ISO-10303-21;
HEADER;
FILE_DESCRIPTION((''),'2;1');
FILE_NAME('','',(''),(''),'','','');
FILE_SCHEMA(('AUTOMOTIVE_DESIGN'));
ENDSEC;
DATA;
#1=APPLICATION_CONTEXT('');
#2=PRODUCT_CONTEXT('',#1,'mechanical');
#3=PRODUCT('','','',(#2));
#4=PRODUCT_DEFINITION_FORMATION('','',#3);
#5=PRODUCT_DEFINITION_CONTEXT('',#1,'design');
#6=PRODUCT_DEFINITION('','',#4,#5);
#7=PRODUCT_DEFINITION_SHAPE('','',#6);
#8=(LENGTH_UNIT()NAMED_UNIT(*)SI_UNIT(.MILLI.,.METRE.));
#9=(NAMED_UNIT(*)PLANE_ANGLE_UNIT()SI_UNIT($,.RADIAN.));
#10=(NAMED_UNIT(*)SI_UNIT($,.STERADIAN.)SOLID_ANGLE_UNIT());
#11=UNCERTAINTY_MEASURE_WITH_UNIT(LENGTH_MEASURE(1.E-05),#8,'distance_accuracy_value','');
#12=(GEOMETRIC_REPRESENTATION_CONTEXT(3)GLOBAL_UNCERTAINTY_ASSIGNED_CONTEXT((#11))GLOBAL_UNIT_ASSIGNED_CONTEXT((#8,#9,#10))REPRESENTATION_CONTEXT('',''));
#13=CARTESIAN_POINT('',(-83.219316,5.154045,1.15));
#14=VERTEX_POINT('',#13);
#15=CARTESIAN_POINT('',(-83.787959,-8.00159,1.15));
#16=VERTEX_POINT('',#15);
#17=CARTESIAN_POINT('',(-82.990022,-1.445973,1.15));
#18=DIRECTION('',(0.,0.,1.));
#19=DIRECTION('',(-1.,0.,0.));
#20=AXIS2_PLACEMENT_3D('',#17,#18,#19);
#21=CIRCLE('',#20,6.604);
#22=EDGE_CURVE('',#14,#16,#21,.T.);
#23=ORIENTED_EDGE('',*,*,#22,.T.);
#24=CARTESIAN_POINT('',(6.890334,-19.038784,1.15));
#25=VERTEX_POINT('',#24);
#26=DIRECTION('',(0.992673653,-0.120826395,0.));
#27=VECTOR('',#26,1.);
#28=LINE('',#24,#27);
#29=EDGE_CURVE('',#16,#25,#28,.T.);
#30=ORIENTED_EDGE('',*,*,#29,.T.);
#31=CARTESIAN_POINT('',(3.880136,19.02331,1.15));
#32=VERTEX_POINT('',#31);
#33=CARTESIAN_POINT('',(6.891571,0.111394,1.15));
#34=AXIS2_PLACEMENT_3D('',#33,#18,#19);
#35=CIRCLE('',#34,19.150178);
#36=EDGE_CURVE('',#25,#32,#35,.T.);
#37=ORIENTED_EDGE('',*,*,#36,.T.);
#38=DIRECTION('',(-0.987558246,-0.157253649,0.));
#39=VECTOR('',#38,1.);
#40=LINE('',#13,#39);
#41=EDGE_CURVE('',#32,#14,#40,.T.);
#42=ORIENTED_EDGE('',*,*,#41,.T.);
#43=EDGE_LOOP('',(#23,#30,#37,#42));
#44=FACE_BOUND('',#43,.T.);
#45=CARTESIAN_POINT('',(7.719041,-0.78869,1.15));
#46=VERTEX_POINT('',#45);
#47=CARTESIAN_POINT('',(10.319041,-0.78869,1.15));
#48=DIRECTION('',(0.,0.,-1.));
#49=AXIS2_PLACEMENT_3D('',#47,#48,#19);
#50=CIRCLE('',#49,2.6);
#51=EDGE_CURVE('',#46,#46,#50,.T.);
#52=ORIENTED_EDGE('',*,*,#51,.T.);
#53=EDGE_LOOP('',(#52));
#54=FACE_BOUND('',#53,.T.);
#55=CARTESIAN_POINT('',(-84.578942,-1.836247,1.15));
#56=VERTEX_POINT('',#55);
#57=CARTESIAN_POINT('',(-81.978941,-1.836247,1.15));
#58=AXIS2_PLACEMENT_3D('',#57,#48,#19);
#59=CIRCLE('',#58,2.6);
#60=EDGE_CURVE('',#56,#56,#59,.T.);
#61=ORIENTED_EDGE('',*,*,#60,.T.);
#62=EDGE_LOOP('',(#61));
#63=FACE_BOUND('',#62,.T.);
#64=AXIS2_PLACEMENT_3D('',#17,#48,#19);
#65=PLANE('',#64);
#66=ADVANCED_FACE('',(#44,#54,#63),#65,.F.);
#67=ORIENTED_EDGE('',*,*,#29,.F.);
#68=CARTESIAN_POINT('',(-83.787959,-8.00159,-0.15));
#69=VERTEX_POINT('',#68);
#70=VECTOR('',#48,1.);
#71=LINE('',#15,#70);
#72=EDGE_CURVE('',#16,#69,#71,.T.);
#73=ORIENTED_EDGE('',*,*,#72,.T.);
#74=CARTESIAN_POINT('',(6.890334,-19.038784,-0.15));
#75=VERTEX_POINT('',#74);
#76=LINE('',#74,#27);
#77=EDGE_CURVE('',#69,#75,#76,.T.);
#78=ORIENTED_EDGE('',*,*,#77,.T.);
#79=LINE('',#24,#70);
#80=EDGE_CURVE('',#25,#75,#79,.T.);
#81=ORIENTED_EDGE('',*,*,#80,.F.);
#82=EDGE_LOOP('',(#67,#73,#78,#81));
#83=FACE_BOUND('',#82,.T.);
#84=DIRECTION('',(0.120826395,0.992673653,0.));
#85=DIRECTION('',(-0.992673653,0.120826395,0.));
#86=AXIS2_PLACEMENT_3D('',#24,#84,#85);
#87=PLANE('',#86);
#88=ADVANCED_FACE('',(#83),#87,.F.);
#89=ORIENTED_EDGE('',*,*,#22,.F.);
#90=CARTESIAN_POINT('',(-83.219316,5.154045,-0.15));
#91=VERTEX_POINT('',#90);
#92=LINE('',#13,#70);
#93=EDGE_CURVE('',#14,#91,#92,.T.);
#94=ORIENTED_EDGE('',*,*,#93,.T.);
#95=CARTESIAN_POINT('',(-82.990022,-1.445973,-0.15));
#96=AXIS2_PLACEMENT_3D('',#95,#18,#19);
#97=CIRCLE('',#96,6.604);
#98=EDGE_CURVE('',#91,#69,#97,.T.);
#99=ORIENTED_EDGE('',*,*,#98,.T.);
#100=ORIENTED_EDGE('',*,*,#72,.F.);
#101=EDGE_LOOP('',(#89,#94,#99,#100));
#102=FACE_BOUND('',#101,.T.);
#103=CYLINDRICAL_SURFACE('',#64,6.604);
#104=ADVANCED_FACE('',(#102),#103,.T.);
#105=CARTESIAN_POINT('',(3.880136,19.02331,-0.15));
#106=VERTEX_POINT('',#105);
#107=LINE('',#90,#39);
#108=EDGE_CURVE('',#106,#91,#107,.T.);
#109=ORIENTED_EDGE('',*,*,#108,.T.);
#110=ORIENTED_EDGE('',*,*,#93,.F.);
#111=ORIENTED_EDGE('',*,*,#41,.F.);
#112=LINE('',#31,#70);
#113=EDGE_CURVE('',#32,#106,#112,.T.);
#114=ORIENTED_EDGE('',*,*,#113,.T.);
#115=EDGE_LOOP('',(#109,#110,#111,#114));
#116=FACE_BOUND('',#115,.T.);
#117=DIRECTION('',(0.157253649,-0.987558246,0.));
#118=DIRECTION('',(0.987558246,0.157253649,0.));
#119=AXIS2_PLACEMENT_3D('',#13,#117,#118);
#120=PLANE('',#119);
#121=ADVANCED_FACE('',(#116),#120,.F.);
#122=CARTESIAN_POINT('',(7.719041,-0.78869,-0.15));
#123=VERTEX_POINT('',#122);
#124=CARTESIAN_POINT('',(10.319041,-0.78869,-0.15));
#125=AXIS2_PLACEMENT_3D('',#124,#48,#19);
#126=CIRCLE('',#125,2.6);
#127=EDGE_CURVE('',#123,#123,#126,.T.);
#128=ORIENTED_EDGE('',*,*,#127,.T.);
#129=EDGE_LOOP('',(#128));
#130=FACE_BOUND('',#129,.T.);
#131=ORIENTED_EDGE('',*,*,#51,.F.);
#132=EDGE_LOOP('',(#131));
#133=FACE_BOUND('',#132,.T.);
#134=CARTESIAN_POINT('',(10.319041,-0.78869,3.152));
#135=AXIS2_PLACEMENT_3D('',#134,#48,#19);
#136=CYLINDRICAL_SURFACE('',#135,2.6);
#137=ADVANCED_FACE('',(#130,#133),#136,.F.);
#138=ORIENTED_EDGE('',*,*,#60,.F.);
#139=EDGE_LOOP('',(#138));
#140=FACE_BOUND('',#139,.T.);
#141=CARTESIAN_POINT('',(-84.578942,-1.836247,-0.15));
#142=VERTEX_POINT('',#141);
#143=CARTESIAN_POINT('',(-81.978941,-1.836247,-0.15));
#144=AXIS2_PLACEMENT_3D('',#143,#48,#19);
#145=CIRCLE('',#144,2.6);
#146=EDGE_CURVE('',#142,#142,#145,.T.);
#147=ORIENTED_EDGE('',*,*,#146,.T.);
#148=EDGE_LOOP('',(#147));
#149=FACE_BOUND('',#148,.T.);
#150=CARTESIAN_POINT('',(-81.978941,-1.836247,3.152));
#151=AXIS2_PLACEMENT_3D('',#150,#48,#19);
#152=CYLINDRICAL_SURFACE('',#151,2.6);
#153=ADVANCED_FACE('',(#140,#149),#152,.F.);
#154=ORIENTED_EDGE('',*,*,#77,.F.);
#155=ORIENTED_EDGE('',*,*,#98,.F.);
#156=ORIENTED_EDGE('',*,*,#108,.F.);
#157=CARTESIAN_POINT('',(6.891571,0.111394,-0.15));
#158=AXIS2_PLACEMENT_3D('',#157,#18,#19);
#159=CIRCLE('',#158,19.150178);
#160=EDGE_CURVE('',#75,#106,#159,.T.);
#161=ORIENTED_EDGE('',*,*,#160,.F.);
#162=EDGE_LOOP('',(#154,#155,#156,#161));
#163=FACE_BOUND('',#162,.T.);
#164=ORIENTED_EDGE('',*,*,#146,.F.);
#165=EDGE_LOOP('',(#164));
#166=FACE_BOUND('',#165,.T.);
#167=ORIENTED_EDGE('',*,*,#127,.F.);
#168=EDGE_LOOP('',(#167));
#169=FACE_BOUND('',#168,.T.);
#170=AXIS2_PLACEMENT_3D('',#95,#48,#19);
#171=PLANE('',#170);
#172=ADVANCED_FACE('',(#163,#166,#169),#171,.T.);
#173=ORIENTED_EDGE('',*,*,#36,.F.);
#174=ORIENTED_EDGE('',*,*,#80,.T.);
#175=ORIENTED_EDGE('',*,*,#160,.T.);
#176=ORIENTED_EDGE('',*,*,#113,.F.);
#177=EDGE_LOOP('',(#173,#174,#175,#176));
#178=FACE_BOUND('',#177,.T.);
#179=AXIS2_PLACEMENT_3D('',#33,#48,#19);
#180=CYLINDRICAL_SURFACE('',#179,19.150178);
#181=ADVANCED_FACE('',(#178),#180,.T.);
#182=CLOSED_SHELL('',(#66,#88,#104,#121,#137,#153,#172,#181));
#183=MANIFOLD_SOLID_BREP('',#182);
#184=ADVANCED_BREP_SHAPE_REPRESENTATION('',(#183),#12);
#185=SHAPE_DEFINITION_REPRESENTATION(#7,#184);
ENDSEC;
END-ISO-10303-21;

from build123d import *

# Parameters (mm, degrees)
BOSS_EXTRUDE1_DEPTH = 1
SKETCH2_R           = 2.000000064
CUT_EXTRUDE1_DEPTH  = 2.54
SCALE1_SCALE        = 1.3


with BuildPart() as part:
    # Sketch1 → Boss-Extrude1 (new body)
    with BuildSketch(Plane.XY):
        with BuildLine():
            Line((-69.316067153, 3.878962407), (-2.316488686, 14.547627491))
            ThreePointArc((-2.316488686, 14.547627491), (14.685052241, 1.161389736), (-0.000951264, -14.730905761))
            Line((-0.000951264, -14.730905761), (-69.753484787, -6.240756815))
            ThreePointArc((-69.753484787, -6.240756815), (-74.214947759, -0.978600121), (-69.316067153, 3.878962407))
        make_face()
    extrude(amount=BOSS_EXTRUDE1_DEPTH)

    # Sketch2 → Cut-Extrude1 (cut)
    with BuildSketch(Plane(origin=(0, 0, 0), x_dir=(-1, 0, 0), z_dir=(0, 0, -1))):
        with Locations((-2.636515213, -0.692372509)):
            Circle(SKETCH2_R)
        with Locations((68.361932579, -1.498185023)):
            Circle(SKETCH2_R)
    extrude(amount=-CUT_EXTRUDE1_DEPTH, mode=Mode.SUBTRACT)


with BuildPart() as part_1:
    # Scale1: scaled about (-22.971903001, -0.371312975, 0.5)
    add(part.part.scale(SCALE1_SCALE).moved(Location((6.8915709, 0.111393893, -0.15))))


solid = part_1.part
